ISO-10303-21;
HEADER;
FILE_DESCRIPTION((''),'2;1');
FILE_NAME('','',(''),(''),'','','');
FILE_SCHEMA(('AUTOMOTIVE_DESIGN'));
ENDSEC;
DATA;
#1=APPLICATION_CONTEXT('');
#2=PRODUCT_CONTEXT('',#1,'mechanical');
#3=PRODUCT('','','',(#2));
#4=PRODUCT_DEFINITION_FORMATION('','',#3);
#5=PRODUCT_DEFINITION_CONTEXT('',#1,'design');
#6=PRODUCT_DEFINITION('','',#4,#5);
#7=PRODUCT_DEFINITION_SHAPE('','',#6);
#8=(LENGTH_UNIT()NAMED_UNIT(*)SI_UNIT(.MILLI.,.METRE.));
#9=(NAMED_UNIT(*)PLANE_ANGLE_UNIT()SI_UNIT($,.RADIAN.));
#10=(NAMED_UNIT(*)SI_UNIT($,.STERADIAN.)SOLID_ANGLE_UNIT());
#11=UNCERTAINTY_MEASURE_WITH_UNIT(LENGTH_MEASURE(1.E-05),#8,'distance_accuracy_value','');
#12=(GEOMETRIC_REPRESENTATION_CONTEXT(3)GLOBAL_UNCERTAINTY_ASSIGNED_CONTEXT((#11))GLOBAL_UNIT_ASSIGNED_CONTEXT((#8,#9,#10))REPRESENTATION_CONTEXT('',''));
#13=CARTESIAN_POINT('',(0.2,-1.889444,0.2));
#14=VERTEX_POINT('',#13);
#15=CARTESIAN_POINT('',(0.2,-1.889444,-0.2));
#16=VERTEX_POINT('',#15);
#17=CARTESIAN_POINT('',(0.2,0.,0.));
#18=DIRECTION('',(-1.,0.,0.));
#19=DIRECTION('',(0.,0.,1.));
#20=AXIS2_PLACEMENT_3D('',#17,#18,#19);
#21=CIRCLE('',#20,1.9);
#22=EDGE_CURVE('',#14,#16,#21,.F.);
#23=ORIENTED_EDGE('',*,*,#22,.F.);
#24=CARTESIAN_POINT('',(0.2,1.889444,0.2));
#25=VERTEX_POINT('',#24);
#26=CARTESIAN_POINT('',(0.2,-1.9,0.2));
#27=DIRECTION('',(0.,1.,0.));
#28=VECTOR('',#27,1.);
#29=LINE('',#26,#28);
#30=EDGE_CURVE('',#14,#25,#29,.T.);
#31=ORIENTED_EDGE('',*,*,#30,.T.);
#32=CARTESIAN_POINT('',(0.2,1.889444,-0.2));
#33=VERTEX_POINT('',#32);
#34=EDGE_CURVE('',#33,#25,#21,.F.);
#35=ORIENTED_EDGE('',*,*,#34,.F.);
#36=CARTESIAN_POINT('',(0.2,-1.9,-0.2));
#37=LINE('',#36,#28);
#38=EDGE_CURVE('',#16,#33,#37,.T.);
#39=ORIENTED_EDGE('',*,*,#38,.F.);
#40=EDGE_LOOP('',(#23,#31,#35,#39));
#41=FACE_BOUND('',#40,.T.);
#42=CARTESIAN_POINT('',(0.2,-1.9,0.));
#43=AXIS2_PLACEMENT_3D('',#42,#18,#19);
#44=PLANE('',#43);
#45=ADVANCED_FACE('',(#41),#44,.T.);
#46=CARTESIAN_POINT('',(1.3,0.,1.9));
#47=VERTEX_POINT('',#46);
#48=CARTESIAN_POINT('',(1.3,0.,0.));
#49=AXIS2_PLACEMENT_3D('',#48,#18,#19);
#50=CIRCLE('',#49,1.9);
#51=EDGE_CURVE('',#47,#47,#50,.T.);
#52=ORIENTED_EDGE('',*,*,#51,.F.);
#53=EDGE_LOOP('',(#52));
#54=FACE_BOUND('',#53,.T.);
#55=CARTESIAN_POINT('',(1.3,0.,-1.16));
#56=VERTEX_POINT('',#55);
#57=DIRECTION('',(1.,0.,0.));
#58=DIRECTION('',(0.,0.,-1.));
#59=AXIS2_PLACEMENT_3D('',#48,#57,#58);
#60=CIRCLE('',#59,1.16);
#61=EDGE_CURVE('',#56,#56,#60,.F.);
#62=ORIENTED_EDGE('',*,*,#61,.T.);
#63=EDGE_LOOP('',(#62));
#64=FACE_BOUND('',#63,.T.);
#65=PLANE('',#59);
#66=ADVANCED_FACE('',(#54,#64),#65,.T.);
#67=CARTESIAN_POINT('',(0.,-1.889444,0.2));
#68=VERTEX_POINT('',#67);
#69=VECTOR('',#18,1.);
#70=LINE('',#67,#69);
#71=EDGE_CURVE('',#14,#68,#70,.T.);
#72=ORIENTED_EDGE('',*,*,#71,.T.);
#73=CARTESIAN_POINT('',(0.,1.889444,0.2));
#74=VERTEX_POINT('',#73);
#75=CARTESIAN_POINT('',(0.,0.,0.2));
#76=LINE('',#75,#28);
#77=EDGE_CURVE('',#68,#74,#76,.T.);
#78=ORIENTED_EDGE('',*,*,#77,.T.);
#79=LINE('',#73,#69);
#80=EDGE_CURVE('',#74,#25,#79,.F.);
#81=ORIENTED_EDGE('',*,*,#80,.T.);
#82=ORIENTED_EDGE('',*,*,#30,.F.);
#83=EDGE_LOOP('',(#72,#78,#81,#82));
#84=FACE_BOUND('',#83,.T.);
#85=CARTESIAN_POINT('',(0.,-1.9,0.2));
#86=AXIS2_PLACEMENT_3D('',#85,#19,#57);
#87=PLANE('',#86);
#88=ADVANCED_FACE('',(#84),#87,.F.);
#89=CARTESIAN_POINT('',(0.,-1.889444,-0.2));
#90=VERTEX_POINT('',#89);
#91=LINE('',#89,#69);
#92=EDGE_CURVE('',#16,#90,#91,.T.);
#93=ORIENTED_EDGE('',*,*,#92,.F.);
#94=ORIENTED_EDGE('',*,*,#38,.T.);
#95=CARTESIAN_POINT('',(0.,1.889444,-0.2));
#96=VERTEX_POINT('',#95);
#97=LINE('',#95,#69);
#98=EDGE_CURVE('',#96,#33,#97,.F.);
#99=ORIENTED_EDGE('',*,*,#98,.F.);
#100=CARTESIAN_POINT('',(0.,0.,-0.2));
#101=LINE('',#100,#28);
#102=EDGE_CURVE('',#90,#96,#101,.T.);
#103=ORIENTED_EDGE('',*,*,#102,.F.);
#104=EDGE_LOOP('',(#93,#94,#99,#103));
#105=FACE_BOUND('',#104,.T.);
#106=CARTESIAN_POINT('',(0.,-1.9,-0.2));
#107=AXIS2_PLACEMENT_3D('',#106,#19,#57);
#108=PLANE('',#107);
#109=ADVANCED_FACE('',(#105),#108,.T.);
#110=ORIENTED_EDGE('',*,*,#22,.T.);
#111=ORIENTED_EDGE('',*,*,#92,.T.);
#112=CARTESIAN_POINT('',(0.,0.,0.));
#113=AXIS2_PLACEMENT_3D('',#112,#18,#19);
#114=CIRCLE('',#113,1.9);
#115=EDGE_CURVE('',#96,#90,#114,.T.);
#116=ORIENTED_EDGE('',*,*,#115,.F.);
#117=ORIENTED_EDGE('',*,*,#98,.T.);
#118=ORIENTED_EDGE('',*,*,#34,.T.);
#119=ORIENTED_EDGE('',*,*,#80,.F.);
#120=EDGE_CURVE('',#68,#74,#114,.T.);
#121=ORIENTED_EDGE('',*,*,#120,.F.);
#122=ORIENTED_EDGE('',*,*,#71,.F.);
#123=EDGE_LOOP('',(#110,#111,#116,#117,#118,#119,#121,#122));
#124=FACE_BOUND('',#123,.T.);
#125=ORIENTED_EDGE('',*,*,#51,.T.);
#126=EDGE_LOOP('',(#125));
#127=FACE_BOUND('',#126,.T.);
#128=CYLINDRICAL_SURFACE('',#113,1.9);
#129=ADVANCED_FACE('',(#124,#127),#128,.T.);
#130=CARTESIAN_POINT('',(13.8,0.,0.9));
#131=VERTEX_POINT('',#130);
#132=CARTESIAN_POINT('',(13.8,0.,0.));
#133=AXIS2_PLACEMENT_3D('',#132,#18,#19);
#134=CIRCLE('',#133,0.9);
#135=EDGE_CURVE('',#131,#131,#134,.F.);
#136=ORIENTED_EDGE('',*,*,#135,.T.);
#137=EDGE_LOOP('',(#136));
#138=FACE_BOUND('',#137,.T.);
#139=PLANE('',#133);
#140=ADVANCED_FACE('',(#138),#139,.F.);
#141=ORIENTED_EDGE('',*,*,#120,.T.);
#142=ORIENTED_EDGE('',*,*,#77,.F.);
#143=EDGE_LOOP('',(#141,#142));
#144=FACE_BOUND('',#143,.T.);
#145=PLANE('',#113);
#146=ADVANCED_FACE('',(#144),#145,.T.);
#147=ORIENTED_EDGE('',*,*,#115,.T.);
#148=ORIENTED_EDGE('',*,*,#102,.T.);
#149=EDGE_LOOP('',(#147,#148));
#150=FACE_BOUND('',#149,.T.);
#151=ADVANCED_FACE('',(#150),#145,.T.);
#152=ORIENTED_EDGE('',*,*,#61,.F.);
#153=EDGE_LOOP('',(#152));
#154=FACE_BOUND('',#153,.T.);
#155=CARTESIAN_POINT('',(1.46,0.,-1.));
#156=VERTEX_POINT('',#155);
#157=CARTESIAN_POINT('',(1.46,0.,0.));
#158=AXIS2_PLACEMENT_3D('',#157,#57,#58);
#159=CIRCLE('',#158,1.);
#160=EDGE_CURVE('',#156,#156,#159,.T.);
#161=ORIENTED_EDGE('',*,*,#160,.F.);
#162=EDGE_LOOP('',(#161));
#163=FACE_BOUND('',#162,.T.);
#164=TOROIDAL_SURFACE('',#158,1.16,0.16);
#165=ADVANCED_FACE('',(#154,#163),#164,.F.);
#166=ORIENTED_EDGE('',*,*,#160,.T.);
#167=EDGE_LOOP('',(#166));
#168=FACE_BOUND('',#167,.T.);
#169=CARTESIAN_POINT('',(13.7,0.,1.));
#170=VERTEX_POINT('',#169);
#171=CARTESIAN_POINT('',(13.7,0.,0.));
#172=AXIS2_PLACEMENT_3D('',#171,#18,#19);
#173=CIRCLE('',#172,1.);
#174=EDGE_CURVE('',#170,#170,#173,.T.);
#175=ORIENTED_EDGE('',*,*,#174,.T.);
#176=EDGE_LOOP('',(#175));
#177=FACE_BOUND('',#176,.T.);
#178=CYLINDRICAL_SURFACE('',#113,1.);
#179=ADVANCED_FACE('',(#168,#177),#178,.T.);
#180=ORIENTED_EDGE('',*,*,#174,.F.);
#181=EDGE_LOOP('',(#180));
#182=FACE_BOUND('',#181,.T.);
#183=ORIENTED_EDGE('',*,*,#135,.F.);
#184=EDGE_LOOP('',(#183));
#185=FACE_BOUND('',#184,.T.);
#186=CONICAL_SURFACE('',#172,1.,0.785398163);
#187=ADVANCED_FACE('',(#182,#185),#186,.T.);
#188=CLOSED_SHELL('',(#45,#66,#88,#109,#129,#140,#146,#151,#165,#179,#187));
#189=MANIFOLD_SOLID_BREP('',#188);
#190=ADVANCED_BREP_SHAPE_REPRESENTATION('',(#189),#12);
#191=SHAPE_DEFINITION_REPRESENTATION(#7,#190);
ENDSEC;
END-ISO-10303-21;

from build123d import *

# Parameters (mm, degrees)
CHAMFER1_SIZE       = 0.1
FILLET1_R           = 0.16
EXTRUDE1_DEPTH      = 15.059160715
EXTRUDE1_DEPTH_BACK = 15.059160715
SKETCH2_W           = 0.2
SKETCH2_H           = 0.2


with BuildPart() as part:
    # Sketch1 → Revolve1 (revolve)
    with BuildSketch(Plane.XY, mode=Mode.PRIVATE) as revolve1_sk:
        Polygon((0, 1.9), (0, 0), (13.8, 0), (13.8, 1), (1.3, 1), (1.3, 1.9), align=None)
    revolve(revolve1_sk.sketch.rotate(Axis((0, 0, 0), (1, 0, 0)), 90), axis=Axis((0, 0, 0), (1, 0, 0)))

    # Chamfer1
    chamfer1_edges = [part.edges().sort_by_distance(p)[0] for p in [
        (13.8, 0, -1),
    ]]
    chamfer(chamfer1_edges, length=CHAMFER1_SIZE)

    # Fillet1
    fillet1_edges = [part.edges().sort_by_distance(p)[0] for p in [
        (1.3, 0, -1),
    ]]
    fillet(fillet1_edges, radius=FILLET1_R)

    # Sketch2 → Extrude1 (cut, two sides: drawn at the far end of the back side and taken through both)
    with BuildSketch(Plane(origin=(0, 0, 0), x_dir=(1, 0, 0), z_dir=(0, 1, 0)).offset(-EXTRUDE1_DEPTH_BACK)):
        with Locations((0.1, -0.1)):
            Rectangle(SKETCH2_W, SKETCH2_H)
        with Locations((0.1, 0.1)):
            Rectangle(SKETCH2_W, SKETCH2_H)
    extrude(amount=EXTRUDE1_DEPTH + EXTRUDE1_DEPTH_BACK, mode=Mode.SUBTRACT)


solid = part.part
